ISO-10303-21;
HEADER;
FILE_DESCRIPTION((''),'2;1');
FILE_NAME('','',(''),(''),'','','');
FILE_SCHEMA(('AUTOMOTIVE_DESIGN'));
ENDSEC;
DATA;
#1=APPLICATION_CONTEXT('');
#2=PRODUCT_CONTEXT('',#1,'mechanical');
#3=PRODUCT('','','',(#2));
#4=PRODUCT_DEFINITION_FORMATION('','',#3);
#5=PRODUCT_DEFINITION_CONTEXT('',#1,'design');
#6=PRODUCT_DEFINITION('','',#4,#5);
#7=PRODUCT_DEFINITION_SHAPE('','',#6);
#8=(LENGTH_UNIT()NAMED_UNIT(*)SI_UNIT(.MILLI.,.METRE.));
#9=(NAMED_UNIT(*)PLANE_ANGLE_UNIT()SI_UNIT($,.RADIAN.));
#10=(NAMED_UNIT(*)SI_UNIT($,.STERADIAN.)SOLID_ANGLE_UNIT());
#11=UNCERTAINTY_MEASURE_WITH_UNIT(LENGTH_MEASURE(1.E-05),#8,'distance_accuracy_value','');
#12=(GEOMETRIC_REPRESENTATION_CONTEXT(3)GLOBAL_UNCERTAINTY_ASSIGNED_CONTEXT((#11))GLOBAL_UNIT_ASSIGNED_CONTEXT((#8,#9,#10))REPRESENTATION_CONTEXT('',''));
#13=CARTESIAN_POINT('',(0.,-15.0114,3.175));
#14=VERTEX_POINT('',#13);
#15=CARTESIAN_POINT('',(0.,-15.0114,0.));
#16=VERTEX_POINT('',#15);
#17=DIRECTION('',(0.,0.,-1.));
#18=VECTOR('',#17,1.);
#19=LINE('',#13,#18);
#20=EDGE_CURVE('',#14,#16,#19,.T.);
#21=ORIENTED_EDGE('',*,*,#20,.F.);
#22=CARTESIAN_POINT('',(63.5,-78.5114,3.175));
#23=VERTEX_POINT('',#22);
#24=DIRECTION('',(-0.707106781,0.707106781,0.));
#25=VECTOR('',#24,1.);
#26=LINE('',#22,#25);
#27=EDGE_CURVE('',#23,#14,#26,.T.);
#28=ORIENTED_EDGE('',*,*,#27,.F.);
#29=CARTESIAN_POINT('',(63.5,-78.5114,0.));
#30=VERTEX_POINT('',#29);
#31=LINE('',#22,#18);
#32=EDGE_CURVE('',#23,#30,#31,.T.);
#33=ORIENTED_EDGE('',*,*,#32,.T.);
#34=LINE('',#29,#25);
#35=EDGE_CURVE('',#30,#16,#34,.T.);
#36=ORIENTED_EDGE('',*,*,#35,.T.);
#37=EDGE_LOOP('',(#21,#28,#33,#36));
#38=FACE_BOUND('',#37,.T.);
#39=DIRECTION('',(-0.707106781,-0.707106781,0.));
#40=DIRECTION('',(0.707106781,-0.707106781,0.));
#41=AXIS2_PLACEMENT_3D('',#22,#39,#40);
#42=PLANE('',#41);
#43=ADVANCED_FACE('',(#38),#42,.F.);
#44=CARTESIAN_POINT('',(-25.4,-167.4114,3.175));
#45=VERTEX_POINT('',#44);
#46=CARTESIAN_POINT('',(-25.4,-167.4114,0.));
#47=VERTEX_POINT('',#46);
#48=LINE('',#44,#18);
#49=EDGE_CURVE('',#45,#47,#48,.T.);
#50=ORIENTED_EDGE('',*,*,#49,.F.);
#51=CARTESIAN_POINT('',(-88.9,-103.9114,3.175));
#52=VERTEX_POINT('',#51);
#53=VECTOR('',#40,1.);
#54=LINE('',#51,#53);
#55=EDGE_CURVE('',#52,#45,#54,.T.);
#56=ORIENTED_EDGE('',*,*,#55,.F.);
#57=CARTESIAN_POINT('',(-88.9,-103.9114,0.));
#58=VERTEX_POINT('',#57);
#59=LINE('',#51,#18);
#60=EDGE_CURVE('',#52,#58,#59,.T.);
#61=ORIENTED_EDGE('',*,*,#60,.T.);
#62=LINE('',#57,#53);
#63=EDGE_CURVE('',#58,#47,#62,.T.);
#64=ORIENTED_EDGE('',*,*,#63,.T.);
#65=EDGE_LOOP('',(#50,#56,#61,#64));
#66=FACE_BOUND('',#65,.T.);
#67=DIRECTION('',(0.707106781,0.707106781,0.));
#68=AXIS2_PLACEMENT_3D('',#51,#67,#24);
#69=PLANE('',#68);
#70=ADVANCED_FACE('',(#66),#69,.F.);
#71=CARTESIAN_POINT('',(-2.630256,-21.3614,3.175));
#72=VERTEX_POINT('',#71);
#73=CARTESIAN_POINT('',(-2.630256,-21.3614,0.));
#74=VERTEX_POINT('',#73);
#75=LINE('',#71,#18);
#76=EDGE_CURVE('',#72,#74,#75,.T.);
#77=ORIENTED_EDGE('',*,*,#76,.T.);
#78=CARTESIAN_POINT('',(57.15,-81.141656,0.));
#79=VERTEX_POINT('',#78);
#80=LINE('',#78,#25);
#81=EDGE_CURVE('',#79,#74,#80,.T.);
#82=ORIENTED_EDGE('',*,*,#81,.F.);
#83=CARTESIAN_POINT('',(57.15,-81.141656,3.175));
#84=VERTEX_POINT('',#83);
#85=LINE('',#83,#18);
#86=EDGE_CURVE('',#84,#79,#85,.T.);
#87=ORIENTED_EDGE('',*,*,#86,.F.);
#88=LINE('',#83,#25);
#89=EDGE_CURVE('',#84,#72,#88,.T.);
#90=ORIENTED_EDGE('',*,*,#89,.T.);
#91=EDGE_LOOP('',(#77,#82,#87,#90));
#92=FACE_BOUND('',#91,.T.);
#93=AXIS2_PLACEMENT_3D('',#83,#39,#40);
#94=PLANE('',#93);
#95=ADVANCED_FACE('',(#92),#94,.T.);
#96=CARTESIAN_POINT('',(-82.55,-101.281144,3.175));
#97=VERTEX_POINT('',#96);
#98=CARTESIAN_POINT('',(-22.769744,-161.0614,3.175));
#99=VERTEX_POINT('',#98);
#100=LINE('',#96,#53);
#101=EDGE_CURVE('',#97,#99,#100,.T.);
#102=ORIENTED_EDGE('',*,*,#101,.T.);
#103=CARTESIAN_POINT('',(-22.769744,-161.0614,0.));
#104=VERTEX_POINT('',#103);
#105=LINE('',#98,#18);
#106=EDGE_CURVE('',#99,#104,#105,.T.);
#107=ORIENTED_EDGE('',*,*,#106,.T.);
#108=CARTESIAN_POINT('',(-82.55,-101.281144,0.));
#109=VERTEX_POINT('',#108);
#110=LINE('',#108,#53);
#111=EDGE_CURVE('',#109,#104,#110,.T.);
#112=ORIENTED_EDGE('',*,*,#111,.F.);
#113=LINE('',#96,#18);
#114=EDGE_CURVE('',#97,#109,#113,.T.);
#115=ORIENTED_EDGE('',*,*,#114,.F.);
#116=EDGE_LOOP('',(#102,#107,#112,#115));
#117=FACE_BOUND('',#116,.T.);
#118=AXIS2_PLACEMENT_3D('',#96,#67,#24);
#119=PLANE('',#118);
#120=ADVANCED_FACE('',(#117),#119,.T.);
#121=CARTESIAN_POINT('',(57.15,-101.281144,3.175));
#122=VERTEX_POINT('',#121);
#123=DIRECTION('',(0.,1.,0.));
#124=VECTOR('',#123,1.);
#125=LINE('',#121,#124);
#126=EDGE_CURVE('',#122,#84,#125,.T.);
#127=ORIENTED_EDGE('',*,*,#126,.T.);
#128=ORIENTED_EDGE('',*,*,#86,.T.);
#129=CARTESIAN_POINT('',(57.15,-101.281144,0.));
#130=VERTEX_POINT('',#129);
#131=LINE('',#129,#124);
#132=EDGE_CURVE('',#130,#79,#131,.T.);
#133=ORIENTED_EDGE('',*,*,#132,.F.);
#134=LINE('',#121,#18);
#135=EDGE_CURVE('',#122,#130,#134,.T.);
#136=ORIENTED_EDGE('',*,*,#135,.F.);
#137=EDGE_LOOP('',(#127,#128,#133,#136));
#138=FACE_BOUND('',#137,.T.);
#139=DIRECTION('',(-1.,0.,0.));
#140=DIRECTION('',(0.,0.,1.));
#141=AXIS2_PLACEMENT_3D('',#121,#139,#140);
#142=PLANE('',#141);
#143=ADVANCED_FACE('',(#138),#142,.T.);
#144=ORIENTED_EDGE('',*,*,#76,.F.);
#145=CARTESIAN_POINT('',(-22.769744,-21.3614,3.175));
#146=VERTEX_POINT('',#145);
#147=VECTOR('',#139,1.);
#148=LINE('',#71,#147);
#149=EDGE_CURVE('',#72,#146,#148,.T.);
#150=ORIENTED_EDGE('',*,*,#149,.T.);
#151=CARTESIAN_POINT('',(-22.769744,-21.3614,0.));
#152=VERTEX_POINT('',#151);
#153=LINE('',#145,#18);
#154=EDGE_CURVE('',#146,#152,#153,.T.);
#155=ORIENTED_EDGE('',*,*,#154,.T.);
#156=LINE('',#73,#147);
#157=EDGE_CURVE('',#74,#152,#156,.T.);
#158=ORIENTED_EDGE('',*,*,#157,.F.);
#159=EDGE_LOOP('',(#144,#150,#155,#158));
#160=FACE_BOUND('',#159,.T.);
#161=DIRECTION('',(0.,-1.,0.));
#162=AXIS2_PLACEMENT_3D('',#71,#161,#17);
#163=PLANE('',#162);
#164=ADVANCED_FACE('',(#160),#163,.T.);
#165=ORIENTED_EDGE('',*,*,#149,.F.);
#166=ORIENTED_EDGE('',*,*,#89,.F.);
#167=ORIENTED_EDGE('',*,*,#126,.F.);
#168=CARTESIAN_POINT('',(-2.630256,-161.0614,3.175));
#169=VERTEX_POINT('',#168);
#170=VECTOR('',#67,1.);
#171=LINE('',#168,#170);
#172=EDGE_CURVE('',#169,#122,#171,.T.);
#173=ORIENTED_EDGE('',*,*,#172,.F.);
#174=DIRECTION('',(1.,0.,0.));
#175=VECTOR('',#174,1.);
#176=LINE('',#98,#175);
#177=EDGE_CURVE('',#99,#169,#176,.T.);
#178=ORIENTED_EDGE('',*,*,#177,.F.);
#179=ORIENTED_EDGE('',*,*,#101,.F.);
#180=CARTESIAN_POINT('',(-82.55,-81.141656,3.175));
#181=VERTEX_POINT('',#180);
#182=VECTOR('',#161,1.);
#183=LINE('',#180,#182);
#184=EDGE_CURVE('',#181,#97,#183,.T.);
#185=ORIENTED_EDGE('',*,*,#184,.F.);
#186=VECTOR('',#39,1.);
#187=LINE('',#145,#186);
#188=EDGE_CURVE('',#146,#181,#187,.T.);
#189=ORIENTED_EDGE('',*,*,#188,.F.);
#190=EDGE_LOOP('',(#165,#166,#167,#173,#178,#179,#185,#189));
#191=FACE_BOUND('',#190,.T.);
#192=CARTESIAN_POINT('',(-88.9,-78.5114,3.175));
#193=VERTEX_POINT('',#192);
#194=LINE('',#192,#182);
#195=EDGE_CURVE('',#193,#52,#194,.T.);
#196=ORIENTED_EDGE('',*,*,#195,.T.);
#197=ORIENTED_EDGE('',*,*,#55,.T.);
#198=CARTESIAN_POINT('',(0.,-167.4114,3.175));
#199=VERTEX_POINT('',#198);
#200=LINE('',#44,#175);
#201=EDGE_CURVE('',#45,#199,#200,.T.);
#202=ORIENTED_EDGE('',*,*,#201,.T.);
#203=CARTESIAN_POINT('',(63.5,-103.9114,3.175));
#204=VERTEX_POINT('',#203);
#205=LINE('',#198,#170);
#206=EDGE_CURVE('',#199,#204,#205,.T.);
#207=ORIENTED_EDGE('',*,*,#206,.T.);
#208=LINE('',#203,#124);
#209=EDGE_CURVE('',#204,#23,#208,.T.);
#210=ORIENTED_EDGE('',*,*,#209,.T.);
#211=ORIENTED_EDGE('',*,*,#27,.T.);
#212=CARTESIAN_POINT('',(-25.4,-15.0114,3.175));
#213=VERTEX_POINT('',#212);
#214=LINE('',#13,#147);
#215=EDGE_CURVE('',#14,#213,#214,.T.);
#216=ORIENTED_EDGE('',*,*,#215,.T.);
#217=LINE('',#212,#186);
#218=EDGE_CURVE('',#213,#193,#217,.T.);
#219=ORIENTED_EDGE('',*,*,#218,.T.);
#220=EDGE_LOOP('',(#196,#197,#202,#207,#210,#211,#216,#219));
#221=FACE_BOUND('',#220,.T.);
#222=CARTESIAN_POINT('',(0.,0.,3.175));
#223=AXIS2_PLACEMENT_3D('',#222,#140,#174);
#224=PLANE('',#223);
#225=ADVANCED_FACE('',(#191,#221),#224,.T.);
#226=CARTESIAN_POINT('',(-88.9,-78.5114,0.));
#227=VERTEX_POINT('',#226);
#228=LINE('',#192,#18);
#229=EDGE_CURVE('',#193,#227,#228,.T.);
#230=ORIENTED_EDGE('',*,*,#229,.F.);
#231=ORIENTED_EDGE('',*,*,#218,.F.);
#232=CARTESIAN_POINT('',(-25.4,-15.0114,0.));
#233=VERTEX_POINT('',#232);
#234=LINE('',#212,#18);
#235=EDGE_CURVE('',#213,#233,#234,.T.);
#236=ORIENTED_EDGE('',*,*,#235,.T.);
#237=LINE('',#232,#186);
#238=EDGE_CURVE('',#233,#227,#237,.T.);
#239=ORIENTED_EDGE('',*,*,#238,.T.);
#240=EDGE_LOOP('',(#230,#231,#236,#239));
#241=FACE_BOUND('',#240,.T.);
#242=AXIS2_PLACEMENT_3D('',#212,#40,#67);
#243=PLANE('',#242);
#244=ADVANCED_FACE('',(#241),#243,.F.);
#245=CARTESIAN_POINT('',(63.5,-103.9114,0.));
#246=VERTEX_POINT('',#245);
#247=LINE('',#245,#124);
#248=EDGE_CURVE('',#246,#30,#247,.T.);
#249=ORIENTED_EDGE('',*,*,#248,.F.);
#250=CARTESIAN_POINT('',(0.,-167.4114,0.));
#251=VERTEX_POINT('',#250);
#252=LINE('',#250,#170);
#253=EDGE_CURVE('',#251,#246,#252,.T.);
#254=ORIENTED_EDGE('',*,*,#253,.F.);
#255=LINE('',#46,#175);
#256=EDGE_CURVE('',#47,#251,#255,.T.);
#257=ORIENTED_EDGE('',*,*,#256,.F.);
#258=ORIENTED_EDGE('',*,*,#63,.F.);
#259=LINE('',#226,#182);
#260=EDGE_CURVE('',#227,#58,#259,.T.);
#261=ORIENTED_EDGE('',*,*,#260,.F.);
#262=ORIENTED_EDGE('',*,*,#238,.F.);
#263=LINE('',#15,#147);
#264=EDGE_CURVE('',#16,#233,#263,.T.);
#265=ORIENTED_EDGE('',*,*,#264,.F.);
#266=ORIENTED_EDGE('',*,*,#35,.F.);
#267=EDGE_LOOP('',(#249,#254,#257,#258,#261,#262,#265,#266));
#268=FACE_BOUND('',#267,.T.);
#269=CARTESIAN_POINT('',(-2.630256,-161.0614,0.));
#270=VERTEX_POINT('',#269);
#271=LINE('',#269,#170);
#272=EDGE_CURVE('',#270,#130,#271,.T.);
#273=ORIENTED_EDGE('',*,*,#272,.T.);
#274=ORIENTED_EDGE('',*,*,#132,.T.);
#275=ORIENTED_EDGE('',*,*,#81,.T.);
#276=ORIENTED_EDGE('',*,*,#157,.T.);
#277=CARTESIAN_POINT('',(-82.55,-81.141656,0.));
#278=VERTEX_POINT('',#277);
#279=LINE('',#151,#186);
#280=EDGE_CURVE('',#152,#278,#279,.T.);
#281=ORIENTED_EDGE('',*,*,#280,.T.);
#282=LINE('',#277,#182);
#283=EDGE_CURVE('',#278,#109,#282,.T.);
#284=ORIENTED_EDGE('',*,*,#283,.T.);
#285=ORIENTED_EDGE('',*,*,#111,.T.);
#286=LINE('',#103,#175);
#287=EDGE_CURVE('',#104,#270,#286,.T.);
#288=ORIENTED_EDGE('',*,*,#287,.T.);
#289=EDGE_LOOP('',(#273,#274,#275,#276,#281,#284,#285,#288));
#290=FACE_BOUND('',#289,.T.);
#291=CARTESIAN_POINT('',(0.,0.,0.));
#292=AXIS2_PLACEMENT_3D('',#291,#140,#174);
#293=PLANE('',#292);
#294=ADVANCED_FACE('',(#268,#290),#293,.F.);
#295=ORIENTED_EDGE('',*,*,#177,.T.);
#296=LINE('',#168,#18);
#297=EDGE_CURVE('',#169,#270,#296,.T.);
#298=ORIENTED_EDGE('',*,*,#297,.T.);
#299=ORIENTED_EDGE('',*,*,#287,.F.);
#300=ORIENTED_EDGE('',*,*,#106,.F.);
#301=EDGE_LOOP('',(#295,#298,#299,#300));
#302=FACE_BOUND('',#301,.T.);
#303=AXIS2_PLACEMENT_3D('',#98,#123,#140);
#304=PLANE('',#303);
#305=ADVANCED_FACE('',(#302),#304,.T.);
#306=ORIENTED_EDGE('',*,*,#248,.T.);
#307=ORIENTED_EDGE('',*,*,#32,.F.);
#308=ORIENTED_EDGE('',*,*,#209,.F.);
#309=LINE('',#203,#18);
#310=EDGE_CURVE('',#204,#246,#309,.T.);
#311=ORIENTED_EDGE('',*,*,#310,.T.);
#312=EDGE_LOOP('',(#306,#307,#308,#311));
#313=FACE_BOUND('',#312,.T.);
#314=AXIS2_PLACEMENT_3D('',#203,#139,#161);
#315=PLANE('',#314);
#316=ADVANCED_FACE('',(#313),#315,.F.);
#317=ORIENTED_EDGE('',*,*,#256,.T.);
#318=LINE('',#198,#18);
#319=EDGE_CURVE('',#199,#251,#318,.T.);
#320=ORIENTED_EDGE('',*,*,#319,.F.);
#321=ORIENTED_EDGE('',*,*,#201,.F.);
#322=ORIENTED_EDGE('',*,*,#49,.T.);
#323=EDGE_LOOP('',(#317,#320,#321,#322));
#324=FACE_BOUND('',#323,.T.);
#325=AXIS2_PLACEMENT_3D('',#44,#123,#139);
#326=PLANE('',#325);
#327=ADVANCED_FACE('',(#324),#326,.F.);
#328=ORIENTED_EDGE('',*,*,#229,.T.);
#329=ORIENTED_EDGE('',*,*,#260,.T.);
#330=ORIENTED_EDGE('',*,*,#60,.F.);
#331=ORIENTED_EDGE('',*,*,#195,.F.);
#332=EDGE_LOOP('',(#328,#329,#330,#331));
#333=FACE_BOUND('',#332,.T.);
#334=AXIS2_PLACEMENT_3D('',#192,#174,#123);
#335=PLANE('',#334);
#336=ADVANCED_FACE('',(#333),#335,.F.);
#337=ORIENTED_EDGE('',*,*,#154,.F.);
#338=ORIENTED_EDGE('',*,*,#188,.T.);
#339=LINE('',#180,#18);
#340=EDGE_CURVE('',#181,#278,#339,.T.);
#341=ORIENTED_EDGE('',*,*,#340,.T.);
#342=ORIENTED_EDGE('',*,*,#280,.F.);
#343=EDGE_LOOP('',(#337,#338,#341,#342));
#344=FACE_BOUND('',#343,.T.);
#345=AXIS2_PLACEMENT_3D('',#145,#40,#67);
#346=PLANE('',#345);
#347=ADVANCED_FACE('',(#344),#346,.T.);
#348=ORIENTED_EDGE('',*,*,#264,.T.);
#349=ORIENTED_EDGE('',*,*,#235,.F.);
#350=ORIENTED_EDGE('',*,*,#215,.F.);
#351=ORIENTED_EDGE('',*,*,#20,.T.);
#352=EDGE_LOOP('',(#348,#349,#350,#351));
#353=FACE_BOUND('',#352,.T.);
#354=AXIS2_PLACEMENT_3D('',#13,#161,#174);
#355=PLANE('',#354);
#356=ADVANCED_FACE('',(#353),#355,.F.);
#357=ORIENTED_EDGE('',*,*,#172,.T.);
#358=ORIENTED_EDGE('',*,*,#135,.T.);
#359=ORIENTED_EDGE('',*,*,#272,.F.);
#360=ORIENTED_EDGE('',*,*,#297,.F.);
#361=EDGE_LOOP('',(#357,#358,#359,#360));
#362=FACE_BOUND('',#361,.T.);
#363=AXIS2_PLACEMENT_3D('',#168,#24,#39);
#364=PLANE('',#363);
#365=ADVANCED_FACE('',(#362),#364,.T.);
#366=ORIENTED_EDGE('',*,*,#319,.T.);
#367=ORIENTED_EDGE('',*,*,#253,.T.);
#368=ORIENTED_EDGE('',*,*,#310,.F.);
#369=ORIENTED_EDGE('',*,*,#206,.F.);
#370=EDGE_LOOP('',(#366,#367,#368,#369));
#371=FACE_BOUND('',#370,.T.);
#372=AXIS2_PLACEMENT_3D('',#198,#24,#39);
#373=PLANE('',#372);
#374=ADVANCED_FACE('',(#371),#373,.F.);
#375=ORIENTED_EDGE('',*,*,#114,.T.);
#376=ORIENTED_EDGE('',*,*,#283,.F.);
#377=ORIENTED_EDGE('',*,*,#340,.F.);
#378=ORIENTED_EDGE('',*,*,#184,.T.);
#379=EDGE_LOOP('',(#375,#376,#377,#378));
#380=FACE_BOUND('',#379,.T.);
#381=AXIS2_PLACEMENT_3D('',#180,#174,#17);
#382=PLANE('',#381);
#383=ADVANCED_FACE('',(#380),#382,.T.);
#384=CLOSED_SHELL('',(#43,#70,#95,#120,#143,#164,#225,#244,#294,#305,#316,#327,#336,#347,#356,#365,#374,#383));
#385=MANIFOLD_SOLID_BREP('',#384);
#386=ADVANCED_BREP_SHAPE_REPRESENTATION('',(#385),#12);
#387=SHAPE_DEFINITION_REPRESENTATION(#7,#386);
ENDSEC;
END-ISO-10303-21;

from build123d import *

# Parameters (mm, degrees)
BOSS_EXTRUDE1_DEPTH = 3.175


with BuildPart() as part:
    # Sketch1 → Boss-Extrude1 (new body)
    with BuildSketch(Plane.XY):
        Polygon((63.5, -78.5114), (0, -15.0114), (-25.4, -15.0114), (-88.9, -78.5114), (-88.9, -103.9114), (-25.4, -167.4114), (0, -167.4114), (63.5, -103.9114), align=None)
        Polygon((57.15, -81.141656121), (-2.630256121, -21.3614), (-22.769743879, -21.3614), (-82.55, -81.141656121), (-82.55, -101.281143879), (-22.769743879, -161.0614), (-2.630256121, -161.0614), (57.15, -101.281143879), align=None, mode=Mode.SUBTRACT)
    extrude(amount=BOSS_EXTRUDE1_DEPTH)


solid = part.part
